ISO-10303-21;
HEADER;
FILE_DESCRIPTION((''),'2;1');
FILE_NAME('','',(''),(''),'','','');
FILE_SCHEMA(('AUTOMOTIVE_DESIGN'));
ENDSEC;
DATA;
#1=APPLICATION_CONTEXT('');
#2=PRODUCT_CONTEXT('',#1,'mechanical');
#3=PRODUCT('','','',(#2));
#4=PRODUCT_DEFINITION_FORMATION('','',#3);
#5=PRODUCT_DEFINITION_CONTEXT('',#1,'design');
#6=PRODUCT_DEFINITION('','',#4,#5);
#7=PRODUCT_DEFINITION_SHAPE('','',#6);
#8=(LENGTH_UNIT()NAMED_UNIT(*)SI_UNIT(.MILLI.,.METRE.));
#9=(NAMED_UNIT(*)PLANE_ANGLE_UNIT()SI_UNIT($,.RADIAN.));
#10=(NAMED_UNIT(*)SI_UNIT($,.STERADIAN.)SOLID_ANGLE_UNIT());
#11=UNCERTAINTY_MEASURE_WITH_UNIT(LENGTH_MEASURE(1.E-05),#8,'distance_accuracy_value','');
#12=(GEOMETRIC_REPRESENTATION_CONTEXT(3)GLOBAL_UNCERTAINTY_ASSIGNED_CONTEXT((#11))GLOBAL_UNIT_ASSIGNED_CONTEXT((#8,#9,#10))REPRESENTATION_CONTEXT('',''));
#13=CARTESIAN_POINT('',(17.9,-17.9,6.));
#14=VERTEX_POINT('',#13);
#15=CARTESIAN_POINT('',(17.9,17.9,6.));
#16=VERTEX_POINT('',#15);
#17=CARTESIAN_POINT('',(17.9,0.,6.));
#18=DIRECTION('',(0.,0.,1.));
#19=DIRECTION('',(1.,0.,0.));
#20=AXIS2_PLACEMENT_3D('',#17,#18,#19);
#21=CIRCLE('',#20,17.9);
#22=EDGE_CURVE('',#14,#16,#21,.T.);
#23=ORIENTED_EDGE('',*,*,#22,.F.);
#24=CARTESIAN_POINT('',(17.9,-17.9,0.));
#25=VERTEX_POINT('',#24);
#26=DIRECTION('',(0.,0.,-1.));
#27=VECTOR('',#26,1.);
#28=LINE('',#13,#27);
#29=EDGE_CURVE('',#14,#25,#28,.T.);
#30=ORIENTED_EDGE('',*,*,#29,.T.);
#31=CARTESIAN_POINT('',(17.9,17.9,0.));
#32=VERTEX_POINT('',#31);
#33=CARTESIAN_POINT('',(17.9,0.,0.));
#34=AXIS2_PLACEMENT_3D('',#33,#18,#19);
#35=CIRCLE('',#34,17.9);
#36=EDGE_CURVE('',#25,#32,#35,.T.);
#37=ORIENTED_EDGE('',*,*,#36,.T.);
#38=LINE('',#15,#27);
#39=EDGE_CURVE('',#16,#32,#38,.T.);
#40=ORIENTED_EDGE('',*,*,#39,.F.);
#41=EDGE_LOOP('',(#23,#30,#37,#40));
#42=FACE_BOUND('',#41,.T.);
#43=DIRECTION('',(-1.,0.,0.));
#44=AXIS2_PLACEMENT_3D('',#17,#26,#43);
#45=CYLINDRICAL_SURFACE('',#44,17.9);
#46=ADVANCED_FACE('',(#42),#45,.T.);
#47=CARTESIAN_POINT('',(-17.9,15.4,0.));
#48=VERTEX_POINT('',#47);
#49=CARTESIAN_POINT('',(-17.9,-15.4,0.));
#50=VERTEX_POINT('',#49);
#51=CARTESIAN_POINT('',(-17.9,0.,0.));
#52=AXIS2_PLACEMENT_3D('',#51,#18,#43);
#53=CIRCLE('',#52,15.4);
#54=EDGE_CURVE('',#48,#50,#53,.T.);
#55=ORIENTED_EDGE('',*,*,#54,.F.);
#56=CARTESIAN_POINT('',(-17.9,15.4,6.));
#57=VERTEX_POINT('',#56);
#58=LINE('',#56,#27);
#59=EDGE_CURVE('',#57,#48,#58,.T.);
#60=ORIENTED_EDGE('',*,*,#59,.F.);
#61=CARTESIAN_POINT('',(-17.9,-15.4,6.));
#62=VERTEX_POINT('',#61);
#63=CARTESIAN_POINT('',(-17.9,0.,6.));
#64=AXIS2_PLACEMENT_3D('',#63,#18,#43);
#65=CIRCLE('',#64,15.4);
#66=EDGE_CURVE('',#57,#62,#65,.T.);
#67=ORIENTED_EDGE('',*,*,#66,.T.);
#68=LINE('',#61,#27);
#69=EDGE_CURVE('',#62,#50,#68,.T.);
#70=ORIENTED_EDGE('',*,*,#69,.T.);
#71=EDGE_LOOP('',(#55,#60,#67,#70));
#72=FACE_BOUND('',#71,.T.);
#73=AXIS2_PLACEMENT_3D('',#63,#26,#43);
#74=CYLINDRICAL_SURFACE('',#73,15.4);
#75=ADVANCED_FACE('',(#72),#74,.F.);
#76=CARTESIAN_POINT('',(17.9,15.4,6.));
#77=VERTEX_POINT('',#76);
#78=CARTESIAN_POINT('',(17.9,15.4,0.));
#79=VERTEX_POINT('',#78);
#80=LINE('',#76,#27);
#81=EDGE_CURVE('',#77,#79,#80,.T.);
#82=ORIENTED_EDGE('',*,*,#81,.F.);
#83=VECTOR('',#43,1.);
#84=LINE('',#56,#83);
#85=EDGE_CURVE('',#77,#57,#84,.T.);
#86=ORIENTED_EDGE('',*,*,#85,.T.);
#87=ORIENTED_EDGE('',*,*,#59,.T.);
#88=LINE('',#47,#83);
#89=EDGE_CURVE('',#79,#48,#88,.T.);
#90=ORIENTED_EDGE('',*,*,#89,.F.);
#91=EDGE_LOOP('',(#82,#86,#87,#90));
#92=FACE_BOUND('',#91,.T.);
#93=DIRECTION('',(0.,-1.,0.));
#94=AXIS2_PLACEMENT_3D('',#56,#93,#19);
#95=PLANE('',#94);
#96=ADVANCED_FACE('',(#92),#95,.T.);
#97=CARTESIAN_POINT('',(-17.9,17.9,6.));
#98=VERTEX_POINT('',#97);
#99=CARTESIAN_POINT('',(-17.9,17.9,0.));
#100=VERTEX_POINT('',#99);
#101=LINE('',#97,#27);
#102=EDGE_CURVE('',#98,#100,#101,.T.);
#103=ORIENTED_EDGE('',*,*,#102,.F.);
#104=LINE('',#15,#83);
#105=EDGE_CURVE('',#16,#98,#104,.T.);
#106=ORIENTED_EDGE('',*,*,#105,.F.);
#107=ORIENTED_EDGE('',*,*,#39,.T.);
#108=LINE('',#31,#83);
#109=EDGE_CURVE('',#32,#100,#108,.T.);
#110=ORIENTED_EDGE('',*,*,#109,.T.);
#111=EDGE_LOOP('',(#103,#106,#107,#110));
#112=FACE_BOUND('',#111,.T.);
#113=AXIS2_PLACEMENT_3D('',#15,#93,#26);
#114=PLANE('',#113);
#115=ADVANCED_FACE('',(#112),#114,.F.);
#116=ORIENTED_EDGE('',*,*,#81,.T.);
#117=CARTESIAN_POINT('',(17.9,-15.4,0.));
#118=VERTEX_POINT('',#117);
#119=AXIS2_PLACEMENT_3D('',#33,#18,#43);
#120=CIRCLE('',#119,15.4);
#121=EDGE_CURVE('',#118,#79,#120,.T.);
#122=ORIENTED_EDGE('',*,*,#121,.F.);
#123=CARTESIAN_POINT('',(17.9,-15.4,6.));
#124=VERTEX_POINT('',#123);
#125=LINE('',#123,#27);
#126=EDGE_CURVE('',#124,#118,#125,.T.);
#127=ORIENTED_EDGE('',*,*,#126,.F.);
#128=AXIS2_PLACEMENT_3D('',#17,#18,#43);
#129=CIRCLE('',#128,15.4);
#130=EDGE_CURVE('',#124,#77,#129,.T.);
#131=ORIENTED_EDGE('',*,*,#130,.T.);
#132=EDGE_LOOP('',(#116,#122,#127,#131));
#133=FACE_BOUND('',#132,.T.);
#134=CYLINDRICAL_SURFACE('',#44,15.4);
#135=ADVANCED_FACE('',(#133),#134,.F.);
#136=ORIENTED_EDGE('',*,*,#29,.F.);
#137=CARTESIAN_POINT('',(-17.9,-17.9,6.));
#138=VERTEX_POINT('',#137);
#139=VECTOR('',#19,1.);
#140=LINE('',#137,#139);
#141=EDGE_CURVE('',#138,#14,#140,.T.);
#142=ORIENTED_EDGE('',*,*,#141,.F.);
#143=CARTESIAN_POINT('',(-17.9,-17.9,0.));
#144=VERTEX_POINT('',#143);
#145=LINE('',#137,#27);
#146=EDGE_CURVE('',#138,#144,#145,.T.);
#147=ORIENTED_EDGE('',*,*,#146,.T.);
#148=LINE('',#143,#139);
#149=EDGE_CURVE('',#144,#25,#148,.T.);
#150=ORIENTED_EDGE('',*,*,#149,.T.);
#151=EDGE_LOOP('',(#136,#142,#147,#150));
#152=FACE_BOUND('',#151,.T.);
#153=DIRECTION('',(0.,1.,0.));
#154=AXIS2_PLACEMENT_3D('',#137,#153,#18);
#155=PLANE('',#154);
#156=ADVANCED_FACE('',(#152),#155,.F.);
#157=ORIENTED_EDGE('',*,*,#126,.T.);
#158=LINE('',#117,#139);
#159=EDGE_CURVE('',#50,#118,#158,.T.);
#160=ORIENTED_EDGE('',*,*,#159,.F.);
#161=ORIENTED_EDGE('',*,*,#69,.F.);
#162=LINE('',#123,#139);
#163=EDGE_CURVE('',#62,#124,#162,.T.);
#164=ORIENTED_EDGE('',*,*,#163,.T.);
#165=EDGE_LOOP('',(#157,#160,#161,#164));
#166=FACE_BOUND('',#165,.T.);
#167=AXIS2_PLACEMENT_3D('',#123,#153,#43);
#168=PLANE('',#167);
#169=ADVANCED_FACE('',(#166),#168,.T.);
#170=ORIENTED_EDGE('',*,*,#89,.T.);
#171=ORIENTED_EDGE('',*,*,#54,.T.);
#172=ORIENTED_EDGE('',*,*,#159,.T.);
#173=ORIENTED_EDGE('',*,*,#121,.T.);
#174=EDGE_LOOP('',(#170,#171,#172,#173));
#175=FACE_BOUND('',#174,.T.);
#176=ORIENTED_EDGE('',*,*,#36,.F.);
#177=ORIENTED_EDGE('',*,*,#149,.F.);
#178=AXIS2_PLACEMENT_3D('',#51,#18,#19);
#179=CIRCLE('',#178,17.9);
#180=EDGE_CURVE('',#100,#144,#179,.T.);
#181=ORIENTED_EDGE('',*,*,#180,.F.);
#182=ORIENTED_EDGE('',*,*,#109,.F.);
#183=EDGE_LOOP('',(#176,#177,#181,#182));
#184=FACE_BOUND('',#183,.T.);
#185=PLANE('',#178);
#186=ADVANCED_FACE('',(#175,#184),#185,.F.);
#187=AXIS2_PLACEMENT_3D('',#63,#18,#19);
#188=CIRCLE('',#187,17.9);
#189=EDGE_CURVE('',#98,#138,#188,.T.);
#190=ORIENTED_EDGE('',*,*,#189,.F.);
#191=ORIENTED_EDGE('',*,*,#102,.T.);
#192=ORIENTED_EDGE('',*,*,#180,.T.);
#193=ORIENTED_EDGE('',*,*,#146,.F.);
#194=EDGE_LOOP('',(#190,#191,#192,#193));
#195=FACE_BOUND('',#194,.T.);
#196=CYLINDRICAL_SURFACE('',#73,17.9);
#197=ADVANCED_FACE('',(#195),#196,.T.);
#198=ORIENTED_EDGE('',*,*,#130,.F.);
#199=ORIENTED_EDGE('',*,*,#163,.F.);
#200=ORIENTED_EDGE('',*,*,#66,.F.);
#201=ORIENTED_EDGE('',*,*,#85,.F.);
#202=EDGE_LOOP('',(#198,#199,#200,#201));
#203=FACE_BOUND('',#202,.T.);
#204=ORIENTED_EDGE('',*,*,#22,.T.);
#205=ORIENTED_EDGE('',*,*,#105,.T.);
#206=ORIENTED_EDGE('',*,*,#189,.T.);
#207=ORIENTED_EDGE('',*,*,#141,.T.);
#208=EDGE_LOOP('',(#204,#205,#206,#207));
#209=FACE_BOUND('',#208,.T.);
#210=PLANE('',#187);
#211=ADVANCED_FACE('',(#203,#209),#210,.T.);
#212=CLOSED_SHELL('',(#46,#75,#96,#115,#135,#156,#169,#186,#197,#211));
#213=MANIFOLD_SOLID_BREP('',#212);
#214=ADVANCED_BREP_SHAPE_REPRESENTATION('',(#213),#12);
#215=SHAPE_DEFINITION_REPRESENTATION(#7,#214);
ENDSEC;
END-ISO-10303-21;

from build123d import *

# Parameters (mm, degrees)
BOSS_EXTRU_2_DEPTH = 6


with BuildPart() as part:
    # Esquisse4 → Boss.-Extru.2 (new body)
    with BuildSketch(Plane.XY):
        with BuildLine():
            Line((-17.9, -17.9), (17.9, -17.9))
            ThreePointArc((17.9, -17.9), (35.8, 0), (17.9, 17.9))
            Line((17.9, 17.9), (-17.9, 17.9))
            ThreePointArc((-17.9, 17.9), (-35.8, 0), (-17.9, -17.9))
        make_face()
        with BuildLine():
            Line((17.9, -15.4), (-17.9, -15.4))
            ThreePointArc((-17.9, -15.4), (-33.3, 0), (-17.9, 15.4))
            Line((-17.9, 15.4), (17.9, 15.4))
            ThreePointArc((17.9, 15.4), (33.3, 0), (17.9, -15.4))
        make_face(mode=Mode.SUBTRACT)
    extrude(amount=BOSS_EXTRU_2_DEPTH)


solid = part.part
